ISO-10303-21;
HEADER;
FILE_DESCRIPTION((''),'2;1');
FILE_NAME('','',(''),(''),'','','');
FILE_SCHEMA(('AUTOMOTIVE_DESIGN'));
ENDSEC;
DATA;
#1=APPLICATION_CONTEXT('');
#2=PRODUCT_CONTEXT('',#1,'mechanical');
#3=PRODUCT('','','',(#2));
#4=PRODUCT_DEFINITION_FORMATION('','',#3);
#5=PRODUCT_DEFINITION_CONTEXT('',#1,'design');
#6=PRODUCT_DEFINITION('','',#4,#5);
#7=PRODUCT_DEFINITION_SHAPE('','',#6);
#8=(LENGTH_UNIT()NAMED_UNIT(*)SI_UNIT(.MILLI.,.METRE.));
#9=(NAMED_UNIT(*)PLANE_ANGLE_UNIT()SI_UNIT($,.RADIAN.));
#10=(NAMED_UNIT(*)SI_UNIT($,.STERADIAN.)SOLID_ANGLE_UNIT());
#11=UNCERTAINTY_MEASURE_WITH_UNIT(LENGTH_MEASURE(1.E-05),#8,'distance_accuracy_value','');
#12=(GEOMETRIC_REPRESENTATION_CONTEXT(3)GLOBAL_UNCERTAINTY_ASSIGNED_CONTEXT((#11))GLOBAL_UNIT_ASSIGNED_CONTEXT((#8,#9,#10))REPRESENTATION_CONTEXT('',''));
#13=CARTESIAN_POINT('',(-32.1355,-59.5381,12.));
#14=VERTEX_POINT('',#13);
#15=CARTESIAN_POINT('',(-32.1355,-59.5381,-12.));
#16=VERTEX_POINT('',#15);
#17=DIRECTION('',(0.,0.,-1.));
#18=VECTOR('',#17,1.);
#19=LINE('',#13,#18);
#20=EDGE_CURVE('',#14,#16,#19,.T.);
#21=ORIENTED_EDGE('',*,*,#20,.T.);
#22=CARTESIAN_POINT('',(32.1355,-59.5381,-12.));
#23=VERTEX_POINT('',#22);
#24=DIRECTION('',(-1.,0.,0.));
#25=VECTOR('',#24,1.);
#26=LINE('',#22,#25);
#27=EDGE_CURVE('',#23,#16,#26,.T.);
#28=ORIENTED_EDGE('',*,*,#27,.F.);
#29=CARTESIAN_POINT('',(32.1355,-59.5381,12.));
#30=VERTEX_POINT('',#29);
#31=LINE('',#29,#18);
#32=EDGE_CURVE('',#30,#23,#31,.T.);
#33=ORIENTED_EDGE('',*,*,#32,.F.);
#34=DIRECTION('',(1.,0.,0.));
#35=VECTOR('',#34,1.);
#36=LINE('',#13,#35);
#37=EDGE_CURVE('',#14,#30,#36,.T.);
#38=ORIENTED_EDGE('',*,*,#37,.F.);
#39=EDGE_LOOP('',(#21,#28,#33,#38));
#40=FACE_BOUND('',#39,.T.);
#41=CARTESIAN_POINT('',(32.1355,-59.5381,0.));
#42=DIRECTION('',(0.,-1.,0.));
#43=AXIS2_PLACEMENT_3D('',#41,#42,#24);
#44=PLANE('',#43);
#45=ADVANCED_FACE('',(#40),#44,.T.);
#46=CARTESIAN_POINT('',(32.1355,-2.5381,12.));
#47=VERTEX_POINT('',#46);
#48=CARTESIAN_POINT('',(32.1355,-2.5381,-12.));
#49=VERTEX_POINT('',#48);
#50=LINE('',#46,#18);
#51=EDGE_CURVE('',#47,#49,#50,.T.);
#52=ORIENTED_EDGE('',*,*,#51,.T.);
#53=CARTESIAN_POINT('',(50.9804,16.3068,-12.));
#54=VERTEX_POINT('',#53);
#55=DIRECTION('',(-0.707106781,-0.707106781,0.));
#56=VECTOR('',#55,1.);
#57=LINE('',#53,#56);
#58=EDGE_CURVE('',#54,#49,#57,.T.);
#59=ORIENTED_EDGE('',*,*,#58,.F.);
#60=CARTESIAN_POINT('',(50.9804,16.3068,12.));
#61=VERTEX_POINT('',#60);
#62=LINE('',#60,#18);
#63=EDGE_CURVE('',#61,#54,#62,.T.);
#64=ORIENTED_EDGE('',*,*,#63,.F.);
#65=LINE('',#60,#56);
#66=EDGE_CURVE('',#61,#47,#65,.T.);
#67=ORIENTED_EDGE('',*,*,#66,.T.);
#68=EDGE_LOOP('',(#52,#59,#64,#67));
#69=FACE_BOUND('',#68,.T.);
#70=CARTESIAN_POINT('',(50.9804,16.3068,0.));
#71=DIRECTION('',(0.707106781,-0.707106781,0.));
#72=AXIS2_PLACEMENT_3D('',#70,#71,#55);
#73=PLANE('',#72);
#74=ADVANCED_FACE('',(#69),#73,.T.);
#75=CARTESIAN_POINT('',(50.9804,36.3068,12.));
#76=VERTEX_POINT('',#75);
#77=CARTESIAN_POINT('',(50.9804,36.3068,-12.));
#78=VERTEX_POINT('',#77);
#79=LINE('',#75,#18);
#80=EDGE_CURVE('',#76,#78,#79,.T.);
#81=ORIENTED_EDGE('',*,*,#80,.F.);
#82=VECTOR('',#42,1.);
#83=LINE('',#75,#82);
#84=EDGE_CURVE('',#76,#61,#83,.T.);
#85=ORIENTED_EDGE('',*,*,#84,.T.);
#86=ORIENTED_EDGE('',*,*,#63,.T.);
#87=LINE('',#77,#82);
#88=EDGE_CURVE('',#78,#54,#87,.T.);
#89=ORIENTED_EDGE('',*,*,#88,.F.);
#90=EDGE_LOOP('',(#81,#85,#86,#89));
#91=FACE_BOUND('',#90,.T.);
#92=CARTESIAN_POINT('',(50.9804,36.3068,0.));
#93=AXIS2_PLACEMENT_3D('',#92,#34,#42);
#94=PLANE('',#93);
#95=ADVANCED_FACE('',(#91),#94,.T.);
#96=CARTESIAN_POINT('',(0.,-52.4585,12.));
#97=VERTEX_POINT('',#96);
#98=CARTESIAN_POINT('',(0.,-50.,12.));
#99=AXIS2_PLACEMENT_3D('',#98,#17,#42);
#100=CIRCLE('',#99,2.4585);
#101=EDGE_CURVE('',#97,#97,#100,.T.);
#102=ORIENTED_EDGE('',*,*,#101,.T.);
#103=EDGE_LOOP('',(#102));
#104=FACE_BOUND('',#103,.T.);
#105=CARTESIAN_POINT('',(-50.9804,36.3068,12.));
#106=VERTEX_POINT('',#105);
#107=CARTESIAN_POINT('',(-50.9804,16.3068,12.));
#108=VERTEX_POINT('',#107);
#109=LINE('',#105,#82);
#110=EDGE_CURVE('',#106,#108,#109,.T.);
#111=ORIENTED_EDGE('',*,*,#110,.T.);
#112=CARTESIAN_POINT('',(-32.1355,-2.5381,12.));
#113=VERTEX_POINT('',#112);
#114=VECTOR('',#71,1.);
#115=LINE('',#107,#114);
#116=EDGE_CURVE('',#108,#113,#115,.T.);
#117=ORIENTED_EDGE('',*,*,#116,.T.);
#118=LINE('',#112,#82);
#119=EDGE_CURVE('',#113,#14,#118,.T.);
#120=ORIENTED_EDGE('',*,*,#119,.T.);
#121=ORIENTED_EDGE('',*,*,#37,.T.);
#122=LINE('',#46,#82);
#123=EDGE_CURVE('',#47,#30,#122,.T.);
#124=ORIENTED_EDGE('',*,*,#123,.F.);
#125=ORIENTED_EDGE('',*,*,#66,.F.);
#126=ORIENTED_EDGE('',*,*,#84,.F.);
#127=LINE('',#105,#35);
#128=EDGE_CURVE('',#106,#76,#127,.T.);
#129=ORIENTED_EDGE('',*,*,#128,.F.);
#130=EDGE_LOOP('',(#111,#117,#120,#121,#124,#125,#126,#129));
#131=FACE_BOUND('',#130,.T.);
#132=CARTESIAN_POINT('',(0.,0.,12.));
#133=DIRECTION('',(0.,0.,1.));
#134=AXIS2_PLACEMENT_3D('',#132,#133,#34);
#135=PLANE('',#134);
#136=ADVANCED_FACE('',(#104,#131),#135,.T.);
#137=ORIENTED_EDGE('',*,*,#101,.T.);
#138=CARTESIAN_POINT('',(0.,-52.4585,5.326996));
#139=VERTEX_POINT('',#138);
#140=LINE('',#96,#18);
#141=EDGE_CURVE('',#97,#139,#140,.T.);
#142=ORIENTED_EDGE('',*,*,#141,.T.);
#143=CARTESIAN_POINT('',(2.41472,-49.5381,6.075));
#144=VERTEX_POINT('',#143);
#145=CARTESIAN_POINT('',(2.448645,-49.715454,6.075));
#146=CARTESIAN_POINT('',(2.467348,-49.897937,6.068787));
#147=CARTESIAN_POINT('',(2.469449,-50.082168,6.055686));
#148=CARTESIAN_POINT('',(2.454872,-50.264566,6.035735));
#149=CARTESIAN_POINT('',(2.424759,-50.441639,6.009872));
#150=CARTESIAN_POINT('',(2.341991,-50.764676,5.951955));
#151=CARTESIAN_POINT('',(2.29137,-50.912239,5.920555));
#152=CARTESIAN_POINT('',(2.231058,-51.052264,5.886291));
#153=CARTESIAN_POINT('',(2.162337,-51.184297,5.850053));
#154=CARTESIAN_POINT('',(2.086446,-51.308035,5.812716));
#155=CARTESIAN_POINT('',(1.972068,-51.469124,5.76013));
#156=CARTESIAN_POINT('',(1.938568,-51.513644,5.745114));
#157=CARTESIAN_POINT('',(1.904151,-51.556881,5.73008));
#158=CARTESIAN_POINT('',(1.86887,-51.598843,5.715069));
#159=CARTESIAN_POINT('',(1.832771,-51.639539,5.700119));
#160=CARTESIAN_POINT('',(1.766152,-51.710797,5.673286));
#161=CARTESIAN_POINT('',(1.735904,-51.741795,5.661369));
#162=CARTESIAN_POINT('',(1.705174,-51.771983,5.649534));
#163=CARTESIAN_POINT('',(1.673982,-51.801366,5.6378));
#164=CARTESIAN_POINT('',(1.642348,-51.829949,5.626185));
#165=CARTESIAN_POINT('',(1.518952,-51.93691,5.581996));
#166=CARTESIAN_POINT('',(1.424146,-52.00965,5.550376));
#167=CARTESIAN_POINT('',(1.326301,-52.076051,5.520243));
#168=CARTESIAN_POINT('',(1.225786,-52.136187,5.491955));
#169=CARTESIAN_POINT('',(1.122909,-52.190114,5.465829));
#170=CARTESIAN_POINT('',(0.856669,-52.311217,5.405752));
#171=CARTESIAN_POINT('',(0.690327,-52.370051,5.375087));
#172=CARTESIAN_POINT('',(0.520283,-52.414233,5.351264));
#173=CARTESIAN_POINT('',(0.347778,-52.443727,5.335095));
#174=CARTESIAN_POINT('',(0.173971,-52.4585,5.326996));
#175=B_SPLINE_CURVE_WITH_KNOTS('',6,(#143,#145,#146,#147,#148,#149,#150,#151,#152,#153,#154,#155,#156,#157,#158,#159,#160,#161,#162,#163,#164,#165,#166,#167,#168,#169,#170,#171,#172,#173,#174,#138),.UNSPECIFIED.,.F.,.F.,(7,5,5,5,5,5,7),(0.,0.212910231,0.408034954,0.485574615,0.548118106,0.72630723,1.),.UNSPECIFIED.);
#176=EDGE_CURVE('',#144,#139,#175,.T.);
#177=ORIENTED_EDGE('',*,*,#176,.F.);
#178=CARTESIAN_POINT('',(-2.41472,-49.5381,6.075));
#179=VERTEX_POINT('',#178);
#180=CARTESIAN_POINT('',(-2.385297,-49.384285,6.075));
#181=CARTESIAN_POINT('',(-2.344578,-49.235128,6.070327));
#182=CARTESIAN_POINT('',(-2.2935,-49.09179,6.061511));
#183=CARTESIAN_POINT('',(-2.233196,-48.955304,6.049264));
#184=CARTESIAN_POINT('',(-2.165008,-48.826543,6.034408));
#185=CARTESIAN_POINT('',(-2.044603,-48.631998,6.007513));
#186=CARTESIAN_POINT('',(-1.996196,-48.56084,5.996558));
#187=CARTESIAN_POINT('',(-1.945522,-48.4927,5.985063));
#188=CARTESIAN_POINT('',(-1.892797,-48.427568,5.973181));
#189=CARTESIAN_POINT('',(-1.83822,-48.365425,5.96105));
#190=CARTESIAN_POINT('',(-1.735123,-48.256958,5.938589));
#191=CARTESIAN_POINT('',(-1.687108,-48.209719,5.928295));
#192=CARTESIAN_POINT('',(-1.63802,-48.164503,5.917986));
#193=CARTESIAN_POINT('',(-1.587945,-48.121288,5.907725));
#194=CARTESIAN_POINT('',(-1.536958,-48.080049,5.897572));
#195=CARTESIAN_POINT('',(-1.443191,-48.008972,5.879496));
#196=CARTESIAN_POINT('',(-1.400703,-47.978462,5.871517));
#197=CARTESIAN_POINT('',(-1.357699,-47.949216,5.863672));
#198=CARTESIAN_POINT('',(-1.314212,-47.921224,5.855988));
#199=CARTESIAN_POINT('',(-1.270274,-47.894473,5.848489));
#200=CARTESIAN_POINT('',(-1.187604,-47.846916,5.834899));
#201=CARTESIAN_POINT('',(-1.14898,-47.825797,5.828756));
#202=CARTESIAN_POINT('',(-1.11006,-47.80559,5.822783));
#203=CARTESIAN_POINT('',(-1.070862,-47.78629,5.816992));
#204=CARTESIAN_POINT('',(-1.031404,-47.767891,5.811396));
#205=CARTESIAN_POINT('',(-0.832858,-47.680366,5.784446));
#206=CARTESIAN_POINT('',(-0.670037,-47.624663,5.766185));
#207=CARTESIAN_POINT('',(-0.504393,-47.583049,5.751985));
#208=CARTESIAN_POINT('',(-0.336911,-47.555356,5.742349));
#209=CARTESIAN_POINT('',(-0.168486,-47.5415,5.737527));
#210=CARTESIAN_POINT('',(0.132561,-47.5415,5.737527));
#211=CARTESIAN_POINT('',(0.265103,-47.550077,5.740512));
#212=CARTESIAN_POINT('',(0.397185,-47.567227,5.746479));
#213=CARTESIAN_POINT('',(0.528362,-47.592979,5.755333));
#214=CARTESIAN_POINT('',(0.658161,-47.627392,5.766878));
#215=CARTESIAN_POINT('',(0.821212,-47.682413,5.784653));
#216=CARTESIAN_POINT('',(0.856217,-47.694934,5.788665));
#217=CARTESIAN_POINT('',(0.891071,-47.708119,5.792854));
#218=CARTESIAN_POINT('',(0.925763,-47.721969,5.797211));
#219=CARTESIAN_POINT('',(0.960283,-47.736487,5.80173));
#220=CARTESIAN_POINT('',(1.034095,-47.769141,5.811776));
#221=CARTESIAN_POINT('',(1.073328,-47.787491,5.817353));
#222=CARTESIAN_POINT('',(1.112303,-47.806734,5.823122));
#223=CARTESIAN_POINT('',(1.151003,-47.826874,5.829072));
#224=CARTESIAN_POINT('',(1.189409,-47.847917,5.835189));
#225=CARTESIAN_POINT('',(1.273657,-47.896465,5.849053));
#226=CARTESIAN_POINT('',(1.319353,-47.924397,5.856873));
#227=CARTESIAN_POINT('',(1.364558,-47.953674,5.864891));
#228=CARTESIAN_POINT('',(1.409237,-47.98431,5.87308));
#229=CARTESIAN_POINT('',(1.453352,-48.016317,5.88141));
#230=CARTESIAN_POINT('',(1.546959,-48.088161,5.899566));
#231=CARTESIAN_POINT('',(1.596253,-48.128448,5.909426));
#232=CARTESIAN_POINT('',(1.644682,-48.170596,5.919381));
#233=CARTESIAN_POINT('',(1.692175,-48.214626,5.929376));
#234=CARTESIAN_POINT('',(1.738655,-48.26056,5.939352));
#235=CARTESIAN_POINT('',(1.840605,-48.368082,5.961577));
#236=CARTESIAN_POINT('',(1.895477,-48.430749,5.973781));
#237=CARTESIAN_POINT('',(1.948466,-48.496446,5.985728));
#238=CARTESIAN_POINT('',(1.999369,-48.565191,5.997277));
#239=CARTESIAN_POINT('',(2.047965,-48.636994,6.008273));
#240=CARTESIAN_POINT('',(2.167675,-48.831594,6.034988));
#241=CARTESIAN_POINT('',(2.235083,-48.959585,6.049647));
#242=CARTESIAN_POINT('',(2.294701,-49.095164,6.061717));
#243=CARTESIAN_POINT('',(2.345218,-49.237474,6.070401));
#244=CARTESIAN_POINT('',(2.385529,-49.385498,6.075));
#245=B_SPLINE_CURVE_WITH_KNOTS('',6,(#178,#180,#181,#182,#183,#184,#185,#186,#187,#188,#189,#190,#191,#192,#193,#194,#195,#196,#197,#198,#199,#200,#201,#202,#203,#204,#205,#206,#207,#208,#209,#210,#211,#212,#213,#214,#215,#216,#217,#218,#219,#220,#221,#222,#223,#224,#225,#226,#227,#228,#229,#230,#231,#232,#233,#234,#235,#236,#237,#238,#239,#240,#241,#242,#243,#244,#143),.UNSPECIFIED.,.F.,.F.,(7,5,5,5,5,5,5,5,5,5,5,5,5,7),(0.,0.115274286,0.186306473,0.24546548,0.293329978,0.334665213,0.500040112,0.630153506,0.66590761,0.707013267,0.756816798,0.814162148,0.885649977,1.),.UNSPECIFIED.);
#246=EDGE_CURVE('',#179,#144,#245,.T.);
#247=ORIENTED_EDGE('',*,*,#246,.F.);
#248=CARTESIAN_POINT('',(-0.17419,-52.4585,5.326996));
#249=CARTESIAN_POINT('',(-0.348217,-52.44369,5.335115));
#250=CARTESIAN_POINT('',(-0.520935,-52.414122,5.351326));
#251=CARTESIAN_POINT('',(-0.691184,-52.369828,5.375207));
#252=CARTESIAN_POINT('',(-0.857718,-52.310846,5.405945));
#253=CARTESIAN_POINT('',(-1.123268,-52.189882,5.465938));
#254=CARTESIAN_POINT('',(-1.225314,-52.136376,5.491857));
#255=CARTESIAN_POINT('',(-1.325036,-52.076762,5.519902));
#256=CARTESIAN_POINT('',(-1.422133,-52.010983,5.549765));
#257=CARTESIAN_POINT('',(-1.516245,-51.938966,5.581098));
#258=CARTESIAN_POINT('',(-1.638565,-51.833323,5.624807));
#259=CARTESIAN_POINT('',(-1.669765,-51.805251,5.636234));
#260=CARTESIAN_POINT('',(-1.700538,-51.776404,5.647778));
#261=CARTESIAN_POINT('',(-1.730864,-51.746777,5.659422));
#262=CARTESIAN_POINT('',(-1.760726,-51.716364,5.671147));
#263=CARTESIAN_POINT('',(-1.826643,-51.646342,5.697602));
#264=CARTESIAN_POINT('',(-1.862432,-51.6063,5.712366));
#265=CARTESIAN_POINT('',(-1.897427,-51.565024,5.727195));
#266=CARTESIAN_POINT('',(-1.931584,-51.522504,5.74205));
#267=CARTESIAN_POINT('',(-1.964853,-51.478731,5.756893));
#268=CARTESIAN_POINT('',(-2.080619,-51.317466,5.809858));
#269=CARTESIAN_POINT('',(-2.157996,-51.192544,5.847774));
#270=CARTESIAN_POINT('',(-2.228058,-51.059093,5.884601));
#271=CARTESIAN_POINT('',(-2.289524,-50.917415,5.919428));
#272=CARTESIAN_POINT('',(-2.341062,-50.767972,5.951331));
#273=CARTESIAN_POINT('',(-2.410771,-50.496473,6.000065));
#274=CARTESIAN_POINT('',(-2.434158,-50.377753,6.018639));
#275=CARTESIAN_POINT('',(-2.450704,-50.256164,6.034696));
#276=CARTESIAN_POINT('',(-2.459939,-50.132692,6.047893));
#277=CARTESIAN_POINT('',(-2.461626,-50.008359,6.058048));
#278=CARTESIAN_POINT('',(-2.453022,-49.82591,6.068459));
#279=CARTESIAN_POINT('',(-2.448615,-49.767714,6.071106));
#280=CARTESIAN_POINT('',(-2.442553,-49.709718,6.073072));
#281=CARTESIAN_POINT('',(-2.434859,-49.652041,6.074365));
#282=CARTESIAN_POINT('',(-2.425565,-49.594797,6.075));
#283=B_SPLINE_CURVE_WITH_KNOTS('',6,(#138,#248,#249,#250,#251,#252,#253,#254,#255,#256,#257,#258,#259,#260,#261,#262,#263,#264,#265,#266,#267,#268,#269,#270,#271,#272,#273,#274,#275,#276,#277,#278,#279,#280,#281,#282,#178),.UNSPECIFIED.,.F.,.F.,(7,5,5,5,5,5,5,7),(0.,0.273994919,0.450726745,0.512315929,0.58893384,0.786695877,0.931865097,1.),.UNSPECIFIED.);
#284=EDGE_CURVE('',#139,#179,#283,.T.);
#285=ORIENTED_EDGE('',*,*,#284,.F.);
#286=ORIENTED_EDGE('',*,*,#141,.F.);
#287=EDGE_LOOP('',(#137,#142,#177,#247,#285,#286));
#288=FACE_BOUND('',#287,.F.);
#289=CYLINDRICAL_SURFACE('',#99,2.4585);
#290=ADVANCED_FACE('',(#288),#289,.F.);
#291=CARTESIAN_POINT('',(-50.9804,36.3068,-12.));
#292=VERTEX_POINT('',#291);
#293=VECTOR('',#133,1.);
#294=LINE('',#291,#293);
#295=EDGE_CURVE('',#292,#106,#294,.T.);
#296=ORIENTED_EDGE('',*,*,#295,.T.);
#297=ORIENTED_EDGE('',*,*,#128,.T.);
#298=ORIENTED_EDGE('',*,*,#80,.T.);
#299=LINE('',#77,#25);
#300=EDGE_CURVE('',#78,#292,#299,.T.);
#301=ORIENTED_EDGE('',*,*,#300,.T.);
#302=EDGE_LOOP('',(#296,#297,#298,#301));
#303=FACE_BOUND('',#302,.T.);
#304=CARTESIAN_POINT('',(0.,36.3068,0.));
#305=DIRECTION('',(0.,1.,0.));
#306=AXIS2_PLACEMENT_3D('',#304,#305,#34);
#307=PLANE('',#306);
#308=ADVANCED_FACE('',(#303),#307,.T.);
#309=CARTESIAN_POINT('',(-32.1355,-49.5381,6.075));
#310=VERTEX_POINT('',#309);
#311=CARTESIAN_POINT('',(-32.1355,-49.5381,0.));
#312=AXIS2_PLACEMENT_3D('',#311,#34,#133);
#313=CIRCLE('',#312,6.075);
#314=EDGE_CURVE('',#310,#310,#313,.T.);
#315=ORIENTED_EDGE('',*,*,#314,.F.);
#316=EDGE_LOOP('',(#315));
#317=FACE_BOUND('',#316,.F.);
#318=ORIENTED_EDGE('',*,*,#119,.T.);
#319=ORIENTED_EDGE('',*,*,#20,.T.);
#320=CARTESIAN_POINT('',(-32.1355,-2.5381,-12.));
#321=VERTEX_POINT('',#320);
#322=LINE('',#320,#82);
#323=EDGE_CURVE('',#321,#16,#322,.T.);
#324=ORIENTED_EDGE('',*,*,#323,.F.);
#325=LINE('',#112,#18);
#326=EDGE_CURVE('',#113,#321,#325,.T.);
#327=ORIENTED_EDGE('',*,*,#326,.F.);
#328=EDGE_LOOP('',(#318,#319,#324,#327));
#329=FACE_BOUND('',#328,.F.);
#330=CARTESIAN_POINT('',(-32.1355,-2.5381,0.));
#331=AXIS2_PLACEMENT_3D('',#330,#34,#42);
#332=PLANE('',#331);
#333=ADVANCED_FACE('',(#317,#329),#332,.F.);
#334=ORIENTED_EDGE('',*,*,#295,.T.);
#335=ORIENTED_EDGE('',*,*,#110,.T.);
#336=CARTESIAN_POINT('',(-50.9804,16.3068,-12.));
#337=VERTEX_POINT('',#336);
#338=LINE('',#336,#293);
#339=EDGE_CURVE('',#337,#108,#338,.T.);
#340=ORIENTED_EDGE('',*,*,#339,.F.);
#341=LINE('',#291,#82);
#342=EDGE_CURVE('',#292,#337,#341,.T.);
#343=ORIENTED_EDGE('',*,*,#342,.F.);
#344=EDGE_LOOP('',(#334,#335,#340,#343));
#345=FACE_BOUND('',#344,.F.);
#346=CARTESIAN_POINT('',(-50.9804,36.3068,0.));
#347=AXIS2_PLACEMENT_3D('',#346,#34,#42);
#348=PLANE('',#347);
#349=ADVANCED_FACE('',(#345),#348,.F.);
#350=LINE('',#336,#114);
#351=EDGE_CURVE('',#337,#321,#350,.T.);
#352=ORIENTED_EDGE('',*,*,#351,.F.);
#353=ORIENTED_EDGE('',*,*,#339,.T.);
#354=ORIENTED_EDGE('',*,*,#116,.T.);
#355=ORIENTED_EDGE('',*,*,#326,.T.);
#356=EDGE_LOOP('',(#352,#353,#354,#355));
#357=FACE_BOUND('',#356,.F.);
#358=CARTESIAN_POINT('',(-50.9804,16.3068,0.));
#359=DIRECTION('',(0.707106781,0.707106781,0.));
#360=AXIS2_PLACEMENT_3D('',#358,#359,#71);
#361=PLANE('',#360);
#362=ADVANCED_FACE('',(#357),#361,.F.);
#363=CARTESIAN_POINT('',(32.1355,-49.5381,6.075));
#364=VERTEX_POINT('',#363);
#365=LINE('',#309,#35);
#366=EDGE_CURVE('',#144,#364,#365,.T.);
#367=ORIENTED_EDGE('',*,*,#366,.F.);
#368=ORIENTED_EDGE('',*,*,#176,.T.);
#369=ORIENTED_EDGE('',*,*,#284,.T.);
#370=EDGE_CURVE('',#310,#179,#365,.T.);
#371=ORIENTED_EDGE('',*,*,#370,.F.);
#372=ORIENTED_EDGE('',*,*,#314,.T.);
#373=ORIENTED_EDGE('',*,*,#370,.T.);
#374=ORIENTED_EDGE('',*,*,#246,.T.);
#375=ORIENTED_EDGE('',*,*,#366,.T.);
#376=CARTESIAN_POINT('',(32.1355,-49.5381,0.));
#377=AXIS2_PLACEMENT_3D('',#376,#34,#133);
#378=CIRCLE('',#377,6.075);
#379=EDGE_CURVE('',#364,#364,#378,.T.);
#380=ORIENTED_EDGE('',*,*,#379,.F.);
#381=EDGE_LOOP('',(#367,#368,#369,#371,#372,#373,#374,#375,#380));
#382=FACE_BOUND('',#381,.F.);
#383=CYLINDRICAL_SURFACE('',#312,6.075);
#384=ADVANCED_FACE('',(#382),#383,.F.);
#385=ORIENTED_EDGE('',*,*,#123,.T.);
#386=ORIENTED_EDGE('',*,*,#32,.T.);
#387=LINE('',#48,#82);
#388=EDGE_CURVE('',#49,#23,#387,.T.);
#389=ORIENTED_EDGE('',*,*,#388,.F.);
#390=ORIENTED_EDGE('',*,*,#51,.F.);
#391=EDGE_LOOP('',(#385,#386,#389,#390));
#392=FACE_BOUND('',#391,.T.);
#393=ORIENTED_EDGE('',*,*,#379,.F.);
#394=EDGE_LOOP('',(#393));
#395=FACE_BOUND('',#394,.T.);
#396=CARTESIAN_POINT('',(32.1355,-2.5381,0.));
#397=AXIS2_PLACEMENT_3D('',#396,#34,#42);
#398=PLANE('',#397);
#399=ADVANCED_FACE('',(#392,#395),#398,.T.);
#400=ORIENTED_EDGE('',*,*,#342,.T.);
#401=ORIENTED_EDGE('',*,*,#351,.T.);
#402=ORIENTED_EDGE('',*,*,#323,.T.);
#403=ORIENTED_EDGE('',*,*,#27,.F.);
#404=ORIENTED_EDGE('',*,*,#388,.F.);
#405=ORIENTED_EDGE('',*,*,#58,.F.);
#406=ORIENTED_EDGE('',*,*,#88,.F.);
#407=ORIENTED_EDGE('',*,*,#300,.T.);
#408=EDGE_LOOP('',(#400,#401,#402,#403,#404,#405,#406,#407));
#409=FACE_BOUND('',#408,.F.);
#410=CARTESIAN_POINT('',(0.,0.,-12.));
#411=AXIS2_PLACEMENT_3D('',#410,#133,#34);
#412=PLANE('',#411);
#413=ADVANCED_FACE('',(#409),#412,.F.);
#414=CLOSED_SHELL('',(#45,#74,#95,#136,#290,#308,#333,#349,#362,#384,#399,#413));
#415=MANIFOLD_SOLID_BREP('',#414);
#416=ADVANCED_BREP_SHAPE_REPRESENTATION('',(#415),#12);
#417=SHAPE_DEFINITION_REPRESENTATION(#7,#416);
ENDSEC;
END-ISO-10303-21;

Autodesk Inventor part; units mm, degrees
ref_plane "YZ Plane" through (0, 0, 0) normal (1, 0, 0) x (0, 1, 0)
ref_plane "XZ Plane" through (0, 0, 0) normal (0, 1, 0) x (-1, 0, 0)
ref_plane "XY Plane" through (0, 0, 0) normal (0, 0, 1) x (1, 0, 0)
sketch "Esboço1" plane through (0, 0, 0) normal (0, 0, 1) x (1, 0, 0)
  line L0 (0, 36.3068) -> (0, -8.6932) construction
  circle A0 centre (0, -8.6932) radius 68 construction
  line L1 (0, 36.3068) -> (50.9804, 36.3068)
  line L2 (50.9804, 36.3068) -> (50.9804, 16.3068)
  line L3 (50.9804, 16.3068) -> (32.1355, -2.5381)
  line L4 (32.1355, -2.5381) -> (32.1355, -59.5381)
  line L5 (32.1355, -59.5381) -> (0, -59.5381)
  line L6 (0, -76.6932) -> (0, 59.3068) construction
  line L7 (0, 36.3068) -> (-50.9804, 36.3068)
  line L8 (-50.9804, 36.3068) -> (-50.9804, 16.3068)
  line L9 (-50.9804, 16.3068) -> (-32.1355, -2.5381)
  line L10 (-32.1355, -2.5381) -> (-32.1355, -59.5381)
  line L11 (-32.1355, -59.5381) -> (0, -59.5381)
  point P0 (0, 0)
  dimension "d1" = 45
  dimension "d2" = 136
  dimension "d3" = 20
  dimension "d4" = 135
  dimension "d5" = 57
  dimension "d7" = 50.9804
  dimension "d41" = 32.1355
extrude "Extrusão1" add sketch "Esboço1" along normal mid plane 24
sketch "Esboço2" plane through (-32.1355, -59.5381, 12) normal (-1, 0, 0) x (0, 0, 1)
  line L0 (0, 0) -> (-24, 0) construction
  line L1 (-12, 0) -> (-12, 10) construction
  circle A0 centre (-12, 10) radius 6.075
  point P0 (-12, 59.5381)
  dimension "d10" = 10
  dimension "d11" = 12.15
hole "Furo1" at (-32.1355, -49.5381, 0) direction (1, 0, 0) diameter 12.15 end through all
sketch "Esboço3" plane through (0, 0, 12) normal (0, 0, 1) x (1, 0, 0)
  line L0 (0, 0) -> (0, -50) construction
  dimension "d42" = 50
hole "Furo2" at (0, -50, 12) direction (0, 0, -1) diameter 4.917 depth 10 tip angle 118 thread size "M6x1" class "6H" standard "ANSI Metric M Profile"
properties part number "suporte_guia_central" material "Alumínio 6061"
